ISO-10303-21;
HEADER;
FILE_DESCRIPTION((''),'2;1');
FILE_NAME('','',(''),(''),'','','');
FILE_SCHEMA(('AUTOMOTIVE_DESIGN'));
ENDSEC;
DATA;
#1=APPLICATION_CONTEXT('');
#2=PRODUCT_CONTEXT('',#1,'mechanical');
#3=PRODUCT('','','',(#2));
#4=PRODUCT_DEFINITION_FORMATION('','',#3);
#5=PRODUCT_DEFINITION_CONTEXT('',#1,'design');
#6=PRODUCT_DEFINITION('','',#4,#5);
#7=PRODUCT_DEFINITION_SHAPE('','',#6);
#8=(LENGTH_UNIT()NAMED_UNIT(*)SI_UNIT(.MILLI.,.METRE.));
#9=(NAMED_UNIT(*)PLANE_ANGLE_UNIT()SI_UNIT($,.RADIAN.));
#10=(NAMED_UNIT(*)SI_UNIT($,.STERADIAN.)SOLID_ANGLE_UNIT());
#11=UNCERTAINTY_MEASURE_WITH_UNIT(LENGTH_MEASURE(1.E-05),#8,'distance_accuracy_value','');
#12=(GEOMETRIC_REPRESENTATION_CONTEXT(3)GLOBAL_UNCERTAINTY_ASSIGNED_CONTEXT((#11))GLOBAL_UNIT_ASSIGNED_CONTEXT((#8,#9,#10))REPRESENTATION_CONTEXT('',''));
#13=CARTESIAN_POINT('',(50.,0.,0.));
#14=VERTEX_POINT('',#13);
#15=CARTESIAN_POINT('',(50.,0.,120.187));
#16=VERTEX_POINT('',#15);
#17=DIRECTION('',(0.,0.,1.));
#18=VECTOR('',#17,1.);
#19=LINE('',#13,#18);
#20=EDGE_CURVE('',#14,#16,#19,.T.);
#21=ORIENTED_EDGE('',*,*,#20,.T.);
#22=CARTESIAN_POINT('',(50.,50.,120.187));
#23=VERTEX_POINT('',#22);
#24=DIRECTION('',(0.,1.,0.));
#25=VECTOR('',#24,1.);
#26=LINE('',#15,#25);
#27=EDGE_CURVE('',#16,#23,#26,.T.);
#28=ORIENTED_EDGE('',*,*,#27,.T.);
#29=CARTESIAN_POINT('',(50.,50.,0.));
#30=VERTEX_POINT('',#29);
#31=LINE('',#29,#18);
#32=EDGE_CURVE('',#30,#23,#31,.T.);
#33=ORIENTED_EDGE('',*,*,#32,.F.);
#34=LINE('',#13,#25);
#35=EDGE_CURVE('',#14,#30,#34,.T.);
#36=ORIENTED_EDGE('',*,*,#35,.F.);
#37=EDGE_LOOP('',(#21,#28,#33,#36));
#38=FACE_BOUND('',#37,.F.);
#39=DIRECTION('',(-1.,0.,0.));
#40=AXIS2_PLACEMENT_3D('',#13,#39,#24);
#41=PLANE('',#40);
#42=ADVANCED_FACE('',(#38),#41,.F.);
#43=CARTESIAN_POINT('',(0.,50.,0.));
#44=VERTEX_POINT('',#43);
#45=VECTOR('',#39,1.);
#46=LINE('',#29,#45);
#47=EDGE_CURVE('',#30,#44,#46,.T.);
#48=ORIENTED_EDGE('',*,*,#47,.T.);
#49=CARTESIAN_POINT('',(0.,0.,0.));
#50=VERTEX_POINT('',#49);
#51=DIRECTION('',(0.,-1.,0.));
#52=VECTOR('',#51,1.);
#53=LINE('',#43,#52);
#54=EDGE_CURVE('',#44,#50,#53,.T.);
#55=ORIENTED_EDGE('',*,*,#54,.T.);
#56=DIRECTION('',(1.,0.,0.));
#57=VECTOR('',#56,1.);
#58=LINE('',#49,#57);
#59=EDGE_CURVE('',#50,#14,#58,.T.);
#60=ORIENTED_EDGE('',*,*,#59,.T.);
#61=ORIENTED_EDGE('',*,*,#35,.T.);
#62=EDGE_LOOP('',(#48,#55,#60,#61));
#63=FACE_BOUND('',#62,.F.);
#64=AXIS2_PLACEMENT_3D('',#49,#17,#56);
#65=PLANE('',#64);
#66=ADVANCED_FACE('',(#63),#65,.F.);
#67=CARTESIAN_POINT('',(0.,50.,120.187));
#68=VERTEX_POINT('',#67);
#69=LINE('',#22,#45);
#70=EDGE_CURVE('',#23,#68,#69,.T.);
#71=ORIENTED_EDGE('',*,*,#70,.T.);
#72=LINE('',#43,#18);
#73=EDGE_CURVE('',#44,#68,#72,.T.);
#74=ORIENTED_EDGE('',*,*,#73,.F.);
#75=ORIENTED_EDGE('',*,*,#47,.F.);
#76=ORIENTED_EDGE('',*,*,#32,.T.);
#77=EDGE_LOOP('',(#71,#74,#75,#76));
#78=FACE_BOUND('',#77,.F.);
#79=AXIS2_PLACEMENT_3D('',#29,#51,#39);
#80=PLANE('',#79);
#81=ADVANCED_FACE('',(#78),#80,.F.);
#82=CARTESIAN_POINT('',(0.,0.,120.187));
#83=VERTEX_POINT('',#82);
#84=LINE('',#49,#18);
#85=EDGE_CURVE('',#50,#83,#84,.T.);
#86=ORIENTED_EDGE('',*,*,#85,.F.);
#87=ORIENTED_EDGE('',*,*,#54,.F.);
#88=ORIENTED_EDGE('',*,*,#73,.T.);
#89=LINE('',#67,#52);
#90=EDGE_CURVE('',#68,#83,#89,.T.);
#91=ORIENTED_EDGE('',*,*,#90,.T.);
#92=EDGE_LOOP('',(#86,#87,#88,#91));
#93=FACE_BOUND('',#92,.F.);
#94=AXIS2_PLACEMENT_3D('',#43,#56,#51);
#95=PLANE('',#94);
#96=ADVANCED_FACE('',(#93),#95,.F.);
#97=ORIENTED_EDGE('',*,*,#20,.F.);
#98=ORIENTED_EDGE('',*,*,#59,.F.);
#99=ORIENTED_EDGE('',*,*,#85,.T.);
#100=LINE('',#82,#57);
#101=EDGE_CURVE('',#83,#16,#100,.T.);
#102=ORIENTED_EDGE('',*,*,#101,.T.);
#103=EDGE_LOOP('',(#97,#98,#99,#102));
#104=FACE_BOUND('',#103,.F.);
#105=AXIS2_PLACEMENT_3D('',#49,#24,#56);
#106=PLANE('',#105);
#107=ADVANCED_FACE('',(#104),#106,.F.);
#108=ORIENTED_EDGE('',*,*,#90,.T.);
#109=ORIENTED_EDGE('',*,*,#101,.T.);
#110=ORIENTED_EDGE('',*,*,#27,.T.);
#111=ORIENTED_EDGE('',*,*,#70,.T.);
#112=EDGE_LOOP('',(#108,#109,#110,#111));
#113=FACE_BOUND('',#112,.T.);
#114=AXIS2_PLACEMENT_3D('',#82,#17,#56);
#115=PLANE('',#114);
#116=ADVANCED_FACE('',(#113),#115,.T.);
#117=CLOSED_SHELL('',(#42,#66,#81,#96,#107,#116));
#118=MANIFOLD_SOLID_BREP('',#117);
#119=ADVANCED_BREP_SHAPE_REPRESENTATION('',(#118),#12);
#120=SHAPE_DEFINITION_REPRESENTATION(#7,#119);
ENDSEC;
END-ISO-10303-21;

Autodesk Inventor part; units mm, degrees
ref_plane "YZ Plane" through (0, 0, 0) normal (1, 0, 0) x (0, 1, 0)
ref_plane "XZ Plane" through (0, 0, 0) normal (0, 1, 0) x (-1, 0, 0)
ref_plane "XY Plane" through (0, 0, 0) normal (0, 0, 1) x (1, 0, 0)
sketch "Sketch1" plane through (0, 0, 0) normal (0, 0, 1) x (1, 0, 0)
  line L0 (0, 0) -> (50, 0)
  line L1 (50, 0) -> (50, 50)
  line L2 (50, 50) -> (0, 50)
  line L3 (0, 50) -> (0, 0)
  dimension "d0" = 50
  dimension "d1" = 50
extrude "Extrusion1" add sketch "Sketch1" along normal blind 120.187
properties part number "draft"
